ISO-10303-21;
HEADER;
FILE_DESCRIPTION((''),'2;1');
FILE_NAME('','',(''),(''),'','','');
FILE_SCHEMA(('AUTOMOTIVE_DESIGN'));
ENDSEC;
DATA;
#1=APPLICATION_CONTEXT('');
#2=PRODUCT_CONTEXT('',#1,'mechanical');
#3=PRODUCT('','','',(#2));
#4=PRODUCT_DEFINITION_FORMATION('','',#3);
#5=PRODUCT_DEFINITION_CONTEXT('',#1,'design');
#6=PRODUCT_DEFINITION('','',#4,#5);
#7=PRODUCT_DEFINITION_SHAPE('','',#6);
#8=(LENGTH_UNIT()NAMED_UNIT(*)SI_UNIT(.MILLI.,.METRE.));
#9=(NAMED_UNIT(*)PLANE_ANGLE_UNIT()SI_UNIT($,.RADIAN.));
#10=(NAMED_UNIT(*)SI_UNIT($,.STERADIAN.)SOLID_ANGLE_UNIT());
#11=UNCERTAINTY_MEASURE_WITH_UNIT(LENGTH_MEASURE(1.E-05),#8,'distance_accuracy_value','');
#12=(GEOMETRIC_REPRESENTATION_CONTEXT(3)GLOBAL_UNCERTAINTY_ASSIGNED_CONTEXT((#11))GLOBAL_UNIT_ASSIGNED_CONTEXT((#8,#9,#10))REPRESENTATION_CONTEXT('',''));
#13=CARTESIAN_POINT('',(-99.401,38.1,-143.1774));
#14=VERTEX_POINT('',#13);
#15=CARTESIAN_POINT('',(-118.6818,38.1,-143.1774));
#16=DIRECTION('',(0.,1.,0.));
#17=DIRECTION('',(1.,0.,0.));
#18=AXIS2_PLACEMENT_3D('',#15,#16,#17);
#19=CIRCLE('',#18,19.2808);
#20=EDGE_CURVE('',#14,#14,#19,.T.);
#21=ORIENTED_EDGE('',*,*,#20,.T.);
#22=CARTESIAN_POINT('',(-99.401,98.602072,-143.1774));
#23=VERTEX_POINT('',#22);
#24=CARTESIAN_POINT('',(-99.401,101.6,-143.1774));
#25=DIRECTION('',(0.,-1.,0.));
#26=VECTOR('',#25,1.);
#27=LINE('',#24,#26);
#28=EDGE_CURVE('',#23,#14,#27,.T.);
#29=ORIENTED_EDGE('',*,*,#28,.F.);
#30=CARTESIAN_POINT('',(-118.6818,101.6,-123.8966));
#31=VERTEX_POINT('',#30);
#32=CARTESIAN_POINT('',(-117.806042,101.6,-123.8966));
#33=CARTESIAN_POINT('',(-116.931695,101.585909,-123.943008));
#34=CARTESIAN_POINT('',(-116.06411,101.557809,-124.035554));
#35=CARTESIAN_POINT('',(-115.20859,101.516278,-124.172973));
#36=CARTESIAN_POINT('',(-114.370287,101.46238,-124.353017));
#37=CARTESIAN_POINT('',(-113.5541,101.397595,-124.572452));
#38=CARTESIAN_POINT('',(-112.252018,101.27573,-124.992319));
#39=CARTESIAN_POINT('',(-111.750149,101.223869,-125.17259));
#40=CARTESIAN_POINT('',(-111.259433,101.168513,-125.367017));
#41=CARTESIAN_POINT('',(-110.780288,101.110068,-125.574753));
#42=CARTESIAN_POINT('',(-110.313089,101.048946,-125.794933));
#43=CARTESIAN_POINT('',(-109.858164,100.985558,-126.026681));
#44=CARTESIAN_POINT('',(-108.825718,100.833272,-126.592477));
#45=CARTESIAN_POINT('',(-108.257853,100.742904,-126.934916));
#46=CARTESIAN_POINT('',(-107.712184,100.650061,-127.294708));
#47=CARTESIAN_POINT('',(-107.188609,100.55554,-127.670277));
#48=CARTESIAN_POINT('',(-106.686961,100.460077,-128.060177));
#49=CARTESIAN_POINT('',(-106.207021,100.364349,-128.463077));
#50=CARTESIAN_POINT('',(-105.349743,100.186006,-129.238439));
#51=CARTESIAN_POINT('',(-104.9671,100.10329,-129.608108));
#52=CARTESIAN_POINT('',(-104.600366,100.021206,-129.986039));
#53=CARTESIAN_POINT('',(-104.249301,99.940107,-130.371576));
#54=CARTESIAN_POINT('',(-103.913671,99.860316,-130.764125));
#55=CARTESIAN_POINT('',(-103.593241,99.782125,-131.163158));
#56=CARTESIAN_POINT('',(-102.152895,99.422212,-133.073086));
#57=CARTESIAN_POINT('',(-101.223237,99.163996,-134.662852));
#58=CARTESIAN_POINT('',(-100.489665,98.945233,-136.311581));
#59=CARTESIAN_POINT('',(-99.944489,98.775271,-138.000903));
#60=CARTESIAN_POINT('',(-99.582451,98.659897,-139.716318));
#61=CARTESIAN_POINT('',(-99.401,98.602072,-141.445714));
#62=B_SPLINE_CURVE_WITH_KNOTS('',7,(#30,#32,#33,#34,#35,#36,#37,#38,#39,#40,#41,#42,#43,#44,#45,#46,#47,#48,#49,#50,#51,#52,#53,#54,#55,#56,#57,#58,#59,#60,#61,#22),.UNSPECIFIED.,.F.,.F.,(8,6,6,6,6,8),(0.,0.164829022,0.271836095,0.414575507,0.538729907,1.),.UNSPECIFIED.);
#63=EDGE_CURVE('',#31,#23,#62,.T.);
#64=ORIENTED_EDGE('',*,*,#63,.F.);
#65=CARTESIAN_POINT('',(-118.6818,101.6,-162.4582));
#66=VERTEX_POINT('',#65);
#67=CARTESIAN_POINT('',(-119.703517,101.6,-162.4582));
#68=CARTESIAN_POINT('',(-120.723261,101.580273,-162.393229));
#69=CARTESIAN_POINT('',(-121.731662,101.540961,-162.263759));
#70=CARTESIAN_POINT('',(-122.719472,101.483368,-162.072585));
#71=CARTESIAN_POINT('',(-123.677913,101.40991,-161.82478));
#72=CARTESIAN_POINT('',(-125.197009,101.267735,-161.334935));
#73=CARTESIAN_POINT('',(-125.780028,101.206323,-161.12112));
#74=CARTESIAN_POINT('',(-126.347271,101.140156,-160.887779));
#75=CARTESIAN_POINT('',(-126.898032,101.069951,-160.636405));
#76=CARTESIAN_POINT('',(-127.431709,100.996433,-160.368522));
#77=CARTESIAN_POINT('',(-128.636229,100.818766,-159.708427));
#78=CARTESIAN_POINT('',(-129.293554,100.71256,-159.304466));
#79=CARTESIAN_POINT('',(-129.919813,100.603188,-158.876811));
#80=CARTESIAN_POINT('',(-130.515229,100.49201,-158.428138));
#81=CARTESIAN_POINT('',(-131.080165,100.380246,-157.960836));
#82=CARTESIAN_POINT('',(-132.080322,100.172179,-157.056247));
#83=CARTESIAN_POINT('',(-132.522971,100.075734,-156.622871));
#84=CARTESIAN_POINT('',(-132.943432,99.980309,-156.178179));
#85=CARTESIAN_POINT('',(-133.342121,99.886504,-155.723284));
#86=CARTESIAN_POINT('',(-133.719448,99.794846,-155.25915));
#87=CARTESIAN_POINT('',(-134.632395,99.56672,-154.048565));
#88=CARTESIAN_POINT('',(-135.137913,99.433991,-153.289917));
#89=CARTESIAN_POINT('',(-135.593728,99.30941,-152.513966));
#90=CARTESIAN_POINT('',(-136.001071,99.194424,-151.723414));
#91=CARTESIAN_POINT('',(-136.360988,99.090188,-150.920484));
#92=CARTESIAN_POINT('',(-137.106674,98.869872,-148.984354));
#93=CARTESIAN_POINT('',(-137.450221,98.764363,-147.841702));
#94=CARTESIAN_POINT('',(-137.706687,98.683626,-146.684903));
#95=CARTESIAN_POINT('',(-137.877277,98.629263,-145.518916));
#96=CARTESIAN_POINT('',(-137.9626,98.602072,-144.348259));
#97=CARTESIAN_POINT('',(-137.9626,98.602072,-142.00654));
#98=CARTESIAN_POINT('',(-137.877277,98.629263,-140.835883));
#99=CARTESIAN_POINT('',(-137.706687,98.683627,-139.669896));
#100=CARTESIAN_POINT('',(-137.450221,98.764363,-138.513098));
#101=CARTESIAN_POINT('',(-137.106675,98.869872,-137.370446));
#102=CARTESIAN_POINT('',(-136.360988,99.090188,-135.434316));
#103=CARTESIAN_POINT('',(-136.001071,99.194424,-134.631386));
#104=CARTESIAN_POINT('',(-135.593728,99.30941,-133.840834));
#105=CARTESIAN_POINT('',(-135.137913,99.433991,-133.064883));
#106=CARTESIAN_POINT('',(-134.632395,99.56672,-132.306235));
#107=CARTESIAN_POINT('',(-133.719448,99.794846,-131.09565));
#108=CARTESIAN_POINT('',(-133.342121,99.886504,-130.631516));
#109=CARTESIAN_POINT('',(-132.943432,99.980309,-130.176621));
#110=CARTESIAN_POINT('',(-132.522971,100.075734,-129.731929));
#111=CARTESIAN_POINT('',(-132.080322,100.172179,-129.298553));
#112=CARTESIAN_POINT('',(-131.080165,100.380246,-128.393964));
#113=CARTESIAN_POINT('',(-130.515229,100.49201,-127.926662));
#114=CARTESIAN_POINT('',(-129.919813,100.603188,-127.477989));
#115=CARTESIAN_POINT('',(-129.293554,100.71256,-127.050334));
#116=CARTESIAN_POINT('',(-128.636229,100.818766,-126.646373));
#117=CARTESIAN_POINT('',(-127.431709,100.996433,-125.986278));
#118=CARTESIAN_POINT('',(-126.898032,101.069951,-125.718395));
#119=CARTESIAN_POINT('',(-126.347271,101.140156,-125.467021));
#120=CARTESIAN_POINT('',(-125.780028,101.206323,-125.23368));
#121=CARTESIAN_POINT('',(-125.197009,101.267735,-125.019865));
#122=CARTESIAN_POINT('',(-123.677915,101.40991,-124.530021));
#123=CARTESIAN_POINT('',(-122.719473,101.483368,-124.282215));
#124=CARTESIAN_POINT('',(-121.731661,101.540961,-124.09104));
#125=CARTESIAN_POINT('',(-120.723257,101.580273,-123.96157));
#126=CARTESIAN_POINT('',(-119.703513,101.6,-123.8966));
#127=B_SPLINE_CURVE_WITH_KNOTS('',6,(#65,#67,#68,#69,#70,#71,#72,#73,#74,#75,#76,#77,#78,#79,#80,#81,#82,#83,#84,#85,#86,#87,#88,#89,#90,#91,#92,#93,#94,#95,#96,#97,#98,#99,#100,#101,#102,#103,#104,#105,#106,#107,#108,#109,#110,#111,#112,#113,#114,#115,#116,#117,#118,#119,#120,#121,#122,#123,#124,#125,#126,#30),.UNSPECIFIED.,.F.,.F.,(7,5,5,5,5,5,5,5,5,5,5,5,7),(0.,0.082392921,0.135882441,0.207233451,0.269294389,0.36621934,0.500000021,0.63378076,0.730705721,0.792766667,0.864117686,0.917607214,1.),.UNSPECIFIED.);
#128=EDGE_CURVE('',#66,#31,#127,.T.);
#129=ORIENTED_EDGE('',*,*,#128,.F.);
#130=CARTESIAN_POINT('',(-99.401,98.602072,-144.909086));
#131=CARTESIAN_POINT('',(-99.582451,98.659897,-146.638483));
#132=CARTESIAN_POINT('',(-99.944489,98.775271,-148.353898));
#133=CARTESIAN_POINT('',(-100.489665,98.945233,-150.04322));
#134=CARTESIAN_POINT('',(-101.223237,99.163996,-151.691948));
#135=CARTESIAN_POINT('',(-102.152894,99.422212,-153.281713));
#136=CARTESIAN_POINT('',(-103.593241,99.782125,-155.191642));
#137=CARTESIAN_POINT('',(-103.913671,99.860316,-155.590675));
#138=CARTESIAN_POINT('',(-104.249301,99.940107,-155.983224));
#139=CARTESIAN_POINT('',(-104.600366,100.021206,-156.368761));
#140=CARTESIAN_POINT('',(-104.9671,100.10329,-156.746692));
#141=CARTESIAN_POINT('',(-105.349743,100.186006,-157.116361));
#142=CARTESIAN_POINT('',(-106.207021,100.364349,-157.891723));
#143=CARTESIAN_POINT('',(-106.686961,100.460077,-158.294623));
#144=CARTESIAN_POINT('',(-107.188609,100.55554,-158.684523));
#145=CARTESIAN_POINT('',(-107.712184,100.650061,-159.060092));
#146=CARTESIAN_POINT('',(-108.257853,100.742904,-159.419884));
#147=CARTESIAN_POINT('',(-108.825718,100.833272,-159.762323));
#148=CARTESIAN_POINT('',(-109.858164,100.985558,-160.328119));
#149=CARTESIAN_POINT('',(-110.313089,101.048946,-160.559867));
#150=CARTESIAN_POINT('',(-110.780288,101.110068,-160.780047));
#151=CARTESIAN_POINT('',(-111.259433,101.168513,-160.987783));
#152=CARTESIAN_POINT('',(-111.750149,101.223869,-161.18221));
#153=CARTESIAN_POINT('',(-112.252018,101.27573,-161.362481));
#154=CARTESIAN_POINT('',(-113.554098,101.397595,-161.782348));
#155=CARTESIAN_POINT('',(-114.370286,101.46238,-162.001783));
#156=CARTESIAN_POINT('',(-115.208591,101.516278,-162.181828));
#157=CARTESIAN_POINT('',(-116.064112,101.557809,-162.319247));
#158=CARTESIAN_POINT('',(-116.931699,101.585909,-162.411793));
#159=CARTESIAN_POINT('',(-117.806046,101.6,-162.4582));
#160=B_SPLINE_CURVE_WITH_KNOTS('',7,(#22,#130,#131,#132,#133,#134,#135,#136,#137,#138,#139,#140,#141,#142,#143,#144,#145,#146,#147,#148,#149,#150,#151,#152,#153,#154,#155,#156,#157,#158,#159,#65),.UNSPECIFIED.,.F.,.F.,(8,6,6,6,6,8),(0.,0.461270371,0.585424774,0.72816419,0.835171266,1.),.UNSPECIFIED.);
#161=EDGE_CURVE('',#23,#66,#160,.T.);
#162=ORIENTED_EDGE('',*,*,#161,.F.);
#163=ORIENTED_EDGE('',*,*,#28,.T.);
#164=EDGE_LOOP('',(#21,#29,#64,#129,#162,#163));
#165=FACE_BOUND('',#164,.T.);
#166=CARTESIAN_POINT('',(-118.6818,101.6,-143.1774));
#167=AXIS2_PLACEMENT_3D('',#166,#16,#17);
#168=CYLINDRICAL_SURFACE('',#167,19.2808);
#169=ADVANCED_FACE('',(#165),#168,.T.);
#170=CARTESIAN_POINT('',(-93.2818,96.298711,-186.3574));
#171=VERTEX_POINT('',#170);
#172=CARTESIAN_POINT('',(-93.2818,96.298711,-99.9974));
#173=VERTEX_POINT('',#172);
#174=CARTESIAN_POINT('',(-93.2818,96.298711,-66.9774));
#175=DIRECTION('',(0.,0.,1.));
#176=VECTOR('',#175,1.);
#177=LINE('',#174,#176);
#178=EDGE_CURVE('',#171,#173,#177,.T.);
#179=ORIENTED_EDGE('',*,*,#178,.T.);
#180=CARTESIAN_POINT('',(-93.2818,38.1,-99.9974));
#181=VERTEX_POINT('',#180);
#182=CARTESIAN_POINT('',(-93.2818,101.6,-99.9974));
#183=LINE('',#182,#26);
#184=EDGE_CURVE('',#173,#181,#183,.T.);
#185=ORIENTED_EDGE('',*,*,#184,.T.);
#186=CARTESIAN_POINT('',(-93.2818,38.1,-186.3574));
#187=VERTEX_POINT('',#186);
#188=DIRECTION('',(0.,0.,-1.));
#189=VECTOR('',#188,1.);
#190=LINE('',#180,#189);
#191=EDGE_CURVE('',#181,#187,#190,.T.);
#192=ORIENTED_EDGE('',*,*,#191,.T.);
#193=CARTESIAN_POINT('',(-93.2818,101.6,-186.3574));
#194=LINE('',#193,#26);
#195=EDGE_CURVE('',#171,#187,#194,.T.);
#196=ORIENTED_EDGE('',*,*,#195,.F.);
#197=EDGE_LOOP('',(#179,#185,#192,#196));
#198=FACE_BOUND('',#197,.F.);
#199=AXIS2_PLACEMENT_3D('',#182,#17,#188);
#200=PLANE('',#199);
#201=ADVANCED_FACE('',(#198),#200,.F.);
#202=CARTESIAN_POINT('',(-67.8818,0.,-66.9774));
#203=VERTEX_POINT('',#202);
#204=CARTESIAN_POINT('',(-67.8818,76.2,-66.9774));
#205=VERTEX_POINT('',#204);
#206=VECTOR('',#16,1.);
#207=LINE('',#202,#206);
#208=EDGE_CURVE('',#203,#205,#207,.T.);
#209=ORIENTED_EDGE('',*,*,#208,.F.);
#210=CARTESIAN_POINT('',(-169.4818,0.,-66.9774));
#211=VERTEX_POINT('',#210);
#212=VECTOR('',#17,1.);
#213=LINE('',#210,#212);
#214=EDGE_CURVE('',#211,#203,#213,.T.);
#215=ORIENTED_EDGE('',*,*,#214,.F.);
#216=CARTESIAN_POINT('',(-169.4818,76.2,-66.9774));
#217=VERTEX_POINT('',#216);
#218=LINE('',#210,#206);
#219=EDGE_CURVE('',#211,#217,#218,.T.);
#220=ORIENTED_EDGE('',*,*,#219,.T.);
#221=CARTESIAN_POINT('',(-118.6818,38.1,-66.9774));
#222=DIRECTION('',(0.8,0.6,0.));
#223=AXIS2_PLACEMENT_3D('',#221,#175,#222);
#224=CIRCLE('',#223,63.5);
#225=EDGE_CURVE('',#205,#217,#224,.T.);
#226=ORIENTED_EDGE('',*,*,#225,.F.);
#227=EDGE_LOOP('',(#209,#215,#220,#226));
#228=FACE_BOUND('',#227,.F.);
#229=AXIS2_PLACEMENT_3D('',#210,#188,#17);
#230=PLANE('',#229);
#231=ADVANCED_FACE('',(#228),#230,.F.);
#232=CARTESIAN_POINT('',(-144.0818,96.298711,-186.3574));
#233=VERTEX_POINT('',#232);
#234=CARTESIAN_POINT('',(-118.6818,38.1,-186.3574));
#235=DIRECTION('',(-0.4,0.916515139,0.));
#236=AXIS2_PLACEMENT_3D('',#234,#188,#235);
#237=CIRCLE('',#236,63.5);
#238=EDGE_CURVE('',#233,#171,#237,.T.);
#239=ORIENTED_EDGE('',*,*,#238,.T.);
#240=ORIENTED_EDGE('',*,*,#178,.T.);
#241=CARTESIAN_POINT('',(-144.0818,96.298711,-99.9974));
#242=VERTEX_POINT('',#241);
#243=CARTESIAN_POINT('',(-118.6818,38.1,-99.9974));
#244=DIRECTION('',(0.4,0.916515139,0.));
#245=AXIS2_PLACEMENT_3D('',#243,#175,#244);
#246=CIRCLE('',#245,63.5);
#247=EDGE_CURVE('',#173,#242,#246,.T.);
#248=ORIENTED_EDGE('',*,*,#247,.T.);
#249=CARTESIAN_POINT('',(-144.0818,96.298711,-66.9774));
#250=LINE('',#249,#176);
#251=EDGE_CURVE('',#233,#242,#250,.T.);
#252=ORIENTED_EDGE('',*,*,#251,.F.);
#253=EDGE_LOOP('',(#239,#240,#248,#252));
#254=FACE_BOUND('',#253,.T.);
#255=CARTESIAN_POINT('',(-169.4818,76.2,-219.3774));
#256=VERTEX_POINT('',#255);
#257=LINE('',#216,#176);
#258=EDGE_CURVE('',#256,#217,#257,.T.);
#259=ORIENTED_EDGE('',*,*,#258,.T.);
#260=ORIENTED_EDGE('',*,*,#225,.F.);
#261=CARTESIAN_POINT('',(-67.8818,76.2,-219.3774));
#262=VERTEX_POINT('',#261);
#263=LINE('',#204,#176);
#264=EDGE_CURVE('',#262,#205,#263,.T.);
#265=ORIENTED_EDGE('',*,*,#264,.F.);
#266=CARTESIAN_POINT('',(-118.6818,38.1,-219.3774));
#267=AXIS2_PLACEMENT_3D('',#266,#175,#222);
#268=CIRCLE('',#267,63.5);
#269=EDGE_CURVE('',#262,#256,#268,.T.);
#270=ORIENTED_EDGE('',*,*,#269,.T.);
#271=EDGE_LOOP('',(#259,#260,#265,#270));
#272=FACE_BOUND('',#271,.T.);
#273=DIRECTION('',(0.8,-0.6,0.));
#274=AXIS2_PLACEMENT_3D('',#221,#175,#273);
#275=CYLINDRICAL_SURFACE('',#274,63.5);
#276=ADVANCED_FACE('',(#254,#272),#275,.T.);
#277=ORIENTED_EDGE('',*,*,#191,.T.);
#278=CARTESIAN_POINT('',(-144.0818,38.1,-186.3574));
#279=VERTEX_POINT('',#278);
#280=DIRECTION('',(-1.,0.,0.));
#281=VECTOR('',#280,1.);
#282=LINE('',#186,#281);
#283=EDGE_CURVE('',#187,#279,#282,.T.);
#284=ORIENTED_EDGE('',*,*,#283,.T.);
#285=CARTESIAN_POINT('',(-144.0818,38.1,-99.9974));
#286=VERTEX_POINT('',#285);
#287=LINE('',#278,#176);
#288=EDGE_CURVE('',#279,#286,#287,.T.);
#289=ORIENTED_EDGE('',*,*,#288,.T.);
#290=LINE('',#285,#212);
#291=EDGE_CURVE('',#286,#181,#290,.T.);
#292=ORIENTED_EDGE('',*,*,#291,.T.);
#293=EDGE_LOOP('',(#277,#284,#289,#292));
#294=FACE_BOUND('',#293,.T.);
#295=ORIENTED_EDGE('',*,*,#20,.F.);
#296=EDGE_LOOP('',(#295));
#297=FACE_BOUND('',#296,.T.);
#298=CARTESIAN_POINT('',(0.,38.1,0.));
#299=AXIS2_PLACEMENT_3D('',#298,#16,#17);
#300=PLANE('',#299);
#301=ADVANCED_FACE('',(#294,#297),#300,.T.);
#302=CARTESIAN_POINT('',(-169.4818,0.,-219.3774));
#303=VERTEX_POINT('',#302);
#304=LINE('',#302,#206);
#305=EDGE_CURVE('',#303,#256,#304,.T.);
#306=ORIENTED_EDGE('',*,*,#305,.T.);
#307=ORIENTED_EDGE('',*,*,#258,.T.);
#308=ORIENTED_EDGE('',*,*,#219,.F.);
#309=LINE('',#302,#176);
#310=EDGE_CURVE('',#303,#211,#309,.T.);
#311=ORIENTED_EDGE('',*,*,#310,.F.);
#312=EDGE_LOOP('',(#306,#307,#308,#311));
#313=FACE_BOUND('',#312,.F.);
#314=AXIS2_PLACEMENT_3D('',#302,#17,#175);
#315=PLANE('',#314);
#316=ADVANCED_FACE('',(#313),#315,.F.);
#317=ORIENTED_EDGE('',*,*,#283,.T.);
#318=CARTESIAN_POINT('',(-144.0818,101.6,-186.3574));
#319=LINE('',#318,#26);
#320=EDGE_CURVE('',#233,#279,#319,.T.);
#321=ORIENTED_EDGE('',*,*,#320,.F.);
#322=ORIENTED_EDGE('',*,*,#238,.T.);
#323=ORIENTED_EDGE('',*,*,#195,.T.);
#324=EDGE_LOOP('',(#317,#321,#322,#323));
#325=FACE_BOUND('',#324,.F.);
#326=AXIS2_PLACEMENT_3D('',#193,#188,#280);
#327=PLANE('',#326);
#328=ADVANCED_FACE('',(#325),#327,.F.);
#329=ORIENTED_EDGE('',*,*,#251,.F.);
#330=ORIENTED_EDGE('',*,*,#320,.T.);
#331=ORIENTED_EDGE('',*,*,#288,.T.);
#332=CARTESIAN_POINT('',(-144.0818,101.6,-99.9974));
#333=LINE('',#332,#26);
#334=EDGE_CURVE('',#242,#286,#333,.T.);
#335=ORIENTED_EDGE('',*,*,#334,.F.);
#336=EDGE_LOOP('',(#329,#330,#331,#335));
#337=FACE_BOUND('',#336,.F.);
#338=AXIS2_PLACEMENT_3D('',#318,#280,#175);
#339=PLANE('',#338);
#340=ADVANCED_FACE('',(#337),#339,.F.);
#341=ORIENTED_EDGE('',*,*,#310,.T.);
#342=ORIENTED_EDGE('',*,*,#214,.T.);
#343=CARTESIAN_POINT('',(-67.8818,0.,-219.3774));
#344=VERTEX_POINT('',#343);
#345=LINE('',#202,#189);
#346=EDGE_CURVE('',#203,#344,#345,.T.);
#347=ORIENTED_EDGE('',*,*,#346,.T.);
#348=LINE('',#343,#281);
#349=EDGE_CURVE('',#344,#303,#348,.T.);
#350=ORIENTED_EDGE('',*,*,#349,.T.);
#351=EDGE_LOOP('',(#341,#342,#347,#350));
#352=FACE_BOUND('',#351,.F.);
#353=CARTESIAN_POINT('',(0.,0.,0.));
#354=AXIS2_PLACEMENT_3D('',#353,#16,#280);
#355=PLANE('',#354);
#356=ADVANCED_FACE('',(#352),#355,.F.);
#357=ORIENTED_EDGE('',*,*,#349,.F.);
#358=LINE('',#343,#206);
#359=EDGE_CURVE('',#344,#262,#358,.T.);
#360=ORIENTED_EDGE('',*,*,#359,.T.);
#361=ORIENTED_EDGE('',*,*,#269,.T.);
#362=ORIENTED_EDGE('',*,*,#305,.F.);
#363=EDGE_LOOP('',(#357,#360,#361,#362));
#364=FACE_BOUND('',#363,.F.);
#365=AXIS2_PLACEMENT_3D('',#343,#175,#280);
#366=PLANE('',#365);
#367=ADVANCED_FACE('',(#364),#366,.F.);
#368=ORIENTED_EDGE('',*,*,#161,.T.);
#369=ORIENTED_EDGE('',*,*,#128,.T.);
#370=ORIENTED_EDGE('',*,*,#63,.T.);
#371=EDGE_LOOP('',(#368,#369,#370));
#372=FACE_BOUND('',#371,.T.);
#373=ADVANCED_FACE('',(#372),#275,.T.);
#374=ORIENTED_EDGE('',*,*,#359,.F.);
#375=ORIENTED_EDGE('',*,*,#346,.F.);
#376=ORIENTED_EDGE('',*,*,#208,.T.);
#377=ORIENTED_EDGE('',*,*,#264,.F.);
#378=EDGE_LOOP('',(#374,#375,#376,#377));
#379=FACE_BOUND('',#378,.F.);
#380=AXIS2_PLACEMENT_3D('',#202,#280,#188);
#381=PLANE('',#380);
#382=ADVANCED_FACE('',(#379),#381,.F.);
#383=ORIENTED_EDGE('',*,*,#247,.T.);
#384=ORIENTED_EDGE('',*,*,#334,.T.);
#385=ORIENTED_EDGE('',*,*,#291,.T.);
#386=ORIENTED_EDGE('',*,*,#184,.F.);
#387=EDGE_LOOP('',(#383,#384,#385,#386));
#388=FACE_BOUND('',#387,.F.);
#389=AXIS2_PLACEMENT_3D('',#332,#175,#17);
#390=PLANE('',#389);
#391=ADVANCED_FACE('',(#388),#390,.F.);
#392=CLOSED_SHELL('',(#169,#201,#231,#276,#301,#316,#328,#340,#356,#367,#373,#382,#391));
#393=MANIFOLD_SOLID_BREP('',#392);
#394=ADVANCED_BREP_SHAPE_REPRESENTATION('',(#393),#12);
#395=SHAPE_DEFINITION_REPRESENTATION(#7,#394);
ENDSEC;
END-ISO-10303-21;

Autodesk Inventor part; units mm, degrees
ref_plane "YZ Plane" through (0, 0, 0) normal (1, 0, 0) x (0, 1, 0)
ref_plane "XZ Plane" through (0, 0, 0) normal (0, 1, 0) x (-1, 0, 0)
ref_plane "XY Plane" through (0, 0, 0) normal (0, 0, 1) x (1, 0, 0)
sketch "Sketch1" plane through (0, 0, 0) normal (0, 1, 0) x (-1, 0, 0)
  line L0 (169.4818, -66.9774) -> (67.8818, -66.9774)
  line L1 (67.8818, -66.9774) -> (67.8818, -219.3774)
  line L2 (67.8818, -219.3774) -> (169.4818, -219.3774)
  line L3 (169.4818, -219.3774) -> (169.4818, -66.9774)
  point P0 (0, 0)
  dimension "d0" = 152.4
  dimension "d1" = 101.6
extrude "Extrusion1" add sketch "Sketch1" along normal blind 101.6
sketch "Sketch2" plane through (0, 101.6, 0) normal (0, 1, 0) x (1, 0, 0)
  line L0 (-144.0818, 99.9974) -> (-93.2818, 99.9974)
  line L1 (-93.2818, 99.9974) -> (-93.2818, 186.3574)
  line L2 (-93.2818, 186.3574) -> (-144.0818, 186.3574)
  line L3 (-144.0818, 186.3574) -> (-144.0818, 99.9974)
  circle A0 centre (-118.6818, 143.1774) radius 19.2808
  line L4 (-67.8818, 219.3774) -> (-169.4818, 219.3774) projected
  line L5 (-169.4818, 66.9774) -> (-67.8818, 66.9774) projected
  line L6 (-169.4818, 219.3774) -> (-169.4818, 66.9774) projected
  line L7 (-67.8818, 66.9774) -> (-67.8818, 219.3774) projected
  point P0 (0, 0)
  dimension "d4" = 33.02
  dimension "d5" = 33.02
  dimension "d6" = 76.2
  dimension "d7" = 50.8
  dimension "d8" = 25.4
  dimension "d9" = 25.4
extrude "Extrusion2" cut sketch "Sketch2" against normal blind 63.5 contours L3 L2 L1 L0
sketch "Sketch3" plane through (-169.4818, 0, -66.9774) normal (0, 0, 1) x (1, 0, 0)
  line L0 (101.6, 0) -> (0, 0) projected
  arc A0 (101.6, 0) -> (0, 0) centre (50.8, 38.1) ccw
  line L1 (76.2, 101.6) -> (25.4, 101.6) projected
  point P0 (169.4818, 0)
extrude "Extrusion3" cut sketch "Sketch3" against normal up to surface (152.4 mm away) keep common part
properties part number "complex extrusion 1 5.7.20"
